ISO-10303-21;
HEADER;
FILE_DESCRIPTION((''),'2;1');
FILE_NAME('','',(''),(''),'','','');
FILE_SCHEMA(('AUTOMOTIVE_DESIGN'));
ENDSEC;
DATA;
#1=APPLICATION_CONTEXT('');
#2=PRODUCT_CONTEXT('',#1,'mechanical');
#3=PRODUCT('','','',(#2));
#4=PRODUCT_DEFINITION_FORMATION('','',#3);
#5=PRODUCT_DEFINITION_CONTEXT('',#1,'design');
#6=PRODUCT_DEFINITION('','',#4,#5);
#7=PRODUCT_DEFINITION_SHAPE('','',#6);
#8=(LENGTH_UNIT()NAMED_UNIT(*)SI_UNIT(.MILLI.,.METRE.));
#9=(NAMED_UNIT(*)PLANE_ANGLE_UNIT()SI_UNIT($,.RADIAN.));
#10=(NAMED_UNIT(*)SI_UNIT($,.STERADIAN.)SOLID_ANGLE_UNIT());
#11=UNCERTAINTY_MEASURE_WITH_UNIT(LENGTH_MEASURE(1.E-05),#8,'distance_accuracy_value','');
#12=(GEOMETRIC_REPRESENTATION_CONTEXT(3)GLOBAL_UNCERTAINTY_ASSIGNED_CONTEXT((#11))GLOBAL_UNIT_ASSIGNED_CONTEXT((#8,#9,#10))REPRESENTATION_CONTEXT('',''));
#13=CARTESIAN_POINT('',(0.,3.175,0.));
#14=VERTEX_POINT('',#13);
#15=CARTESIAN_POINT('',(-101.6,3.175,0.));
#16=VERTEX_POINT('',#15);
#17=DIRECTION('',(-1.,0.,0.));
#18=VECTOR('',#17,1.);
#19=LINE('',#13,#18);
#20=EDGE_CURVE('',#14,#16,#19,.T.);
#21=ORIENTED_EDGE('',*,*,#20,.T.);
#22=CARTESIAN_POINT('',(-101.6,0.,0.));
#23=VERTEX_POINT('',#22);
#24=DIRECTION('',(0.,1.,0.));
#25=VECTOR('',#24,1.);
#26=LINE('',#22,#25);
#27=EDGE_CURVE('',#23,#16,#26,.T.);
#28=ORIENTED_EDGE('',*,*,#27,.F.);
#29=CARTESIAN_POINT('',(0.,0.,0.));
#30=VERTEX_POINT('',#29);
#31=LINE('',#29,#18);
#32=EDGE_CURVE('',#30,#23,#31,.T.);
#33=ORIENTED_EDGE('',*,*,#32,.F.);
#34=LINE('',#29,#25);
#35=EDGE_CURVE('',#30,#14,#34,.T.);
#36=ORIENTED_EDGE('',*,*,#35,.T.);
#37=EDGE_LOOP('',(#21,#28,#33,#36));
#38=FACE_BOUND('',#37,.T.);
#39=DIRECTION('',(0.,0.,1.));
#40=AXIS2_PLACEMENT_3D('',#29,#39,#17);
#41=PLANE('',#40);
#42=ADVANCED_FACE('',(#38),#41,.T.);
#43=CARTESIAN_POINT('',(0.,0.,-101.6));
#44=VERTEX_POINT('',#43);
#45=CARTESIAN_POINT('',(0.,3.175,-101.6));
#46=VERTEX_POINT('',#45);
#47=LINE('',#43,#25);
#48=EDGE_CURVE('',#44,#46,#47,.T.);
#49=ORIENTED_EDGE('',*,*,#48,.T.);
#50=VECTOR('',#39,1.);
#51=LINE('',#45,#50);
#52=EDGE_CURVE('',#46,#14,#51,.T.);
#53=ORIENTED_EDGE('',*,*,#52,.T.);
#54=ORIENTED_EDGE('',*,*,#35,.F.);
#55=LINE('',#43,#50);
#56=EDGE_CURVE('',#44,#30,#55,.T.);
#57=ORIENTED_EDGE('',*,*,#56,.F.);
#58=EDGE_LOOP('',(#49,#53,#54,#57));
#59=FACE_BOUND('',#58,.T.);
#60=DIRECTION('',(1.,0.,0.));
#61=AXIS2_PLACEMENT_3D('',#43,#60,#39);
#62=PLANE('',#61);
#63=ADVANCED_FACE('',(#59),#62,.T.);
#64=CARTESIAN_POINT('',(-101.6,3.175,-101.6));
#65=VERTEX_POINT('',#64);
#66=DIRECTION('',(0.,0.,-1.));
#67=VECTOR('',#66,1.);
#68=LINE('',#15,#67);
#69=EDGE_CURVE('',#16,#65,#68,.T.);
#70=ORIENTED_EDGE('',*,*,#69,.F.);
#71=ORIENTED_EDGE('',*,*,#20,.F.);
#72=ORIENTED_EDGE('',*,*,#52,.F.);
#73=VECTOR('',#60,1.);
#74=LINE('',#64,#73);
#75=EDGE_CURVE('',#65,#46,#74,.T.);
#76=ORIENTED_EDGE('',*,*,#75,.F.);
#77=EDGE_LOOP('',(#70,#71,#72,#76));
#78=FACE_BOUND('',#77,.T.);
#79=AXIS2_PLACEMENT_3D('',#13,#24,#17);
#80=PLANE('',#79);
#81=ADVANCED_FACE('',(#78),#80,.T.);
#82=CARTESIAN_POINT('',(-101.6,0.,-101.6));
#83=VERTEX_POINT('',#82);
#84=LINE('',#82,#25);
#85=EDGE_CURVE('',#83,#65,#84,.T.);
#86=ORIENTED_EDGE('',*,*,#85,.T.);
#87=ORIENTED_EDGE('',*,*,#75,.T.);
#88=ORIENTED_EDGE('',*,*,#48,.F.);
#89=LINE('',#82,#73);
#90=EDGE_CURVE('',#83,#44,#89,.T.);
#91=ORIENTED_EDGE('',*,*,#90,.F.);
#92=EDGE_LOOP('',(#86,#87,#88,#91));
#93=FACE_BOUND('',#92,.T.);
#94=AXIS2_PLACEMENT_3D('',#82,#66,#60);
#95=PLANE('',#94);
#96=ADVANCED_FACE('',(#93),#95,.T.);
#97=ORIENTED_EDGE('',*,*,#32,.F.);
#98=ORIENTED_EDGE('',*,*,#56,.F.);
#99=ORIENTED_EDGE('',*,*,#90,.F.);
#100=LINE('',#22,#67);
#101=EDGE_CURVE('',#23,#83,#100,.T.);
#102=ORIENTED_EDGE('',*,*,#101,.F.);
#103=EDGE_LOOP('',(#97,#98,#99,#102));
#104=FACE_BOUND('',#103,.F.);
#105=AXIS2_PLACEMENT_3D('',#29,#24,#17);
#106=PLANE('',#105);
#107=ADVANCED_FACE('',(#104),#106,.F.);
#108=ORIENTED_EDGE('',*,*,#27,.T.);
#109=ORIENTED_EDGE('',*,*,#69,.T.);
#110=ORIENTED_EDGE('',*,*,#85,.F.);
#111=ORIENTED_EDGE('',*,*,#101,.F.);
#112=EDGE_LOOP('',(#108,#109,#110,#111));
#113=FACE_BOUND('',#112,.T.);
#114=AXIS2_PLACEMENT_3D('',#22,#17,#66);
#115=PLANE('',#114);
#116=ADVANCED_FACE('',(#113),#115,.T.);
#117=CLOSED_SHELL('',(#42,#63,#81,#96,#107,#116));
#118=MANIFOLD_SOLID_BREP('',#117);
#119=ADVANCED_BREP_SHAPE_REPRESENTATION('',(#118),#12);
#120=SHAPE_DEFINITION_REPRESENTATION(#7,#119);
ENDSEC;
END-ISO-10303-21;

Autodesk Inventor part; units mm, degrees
ref_plane "YZ Plane" through (0, 0, 0) normal (1, 0, 0) x (0, 1, 0)
ref_plane "XZ Plane" through (0, 0, 0) normal (0, 1, 0) x (-1, 0, 0)
ref_plane "XY Plane" through (0, 0, 0) normal (0, 0, 1) x (1, 0, 0)
sketch "Sketch1" plane through (0, 0, 0) normal (0, 1, 0) x (-1, 0, 0)
  line L0 (0, 0) -> (101.6, 0)
  line L1 (101.6, 0) -> (101.6, -101.6)
  line L2 (101.6, -101.6) -> (0, -101.6)
  line L3 (0, -101.6) -> (0, 0)
  dimension "d0" = 101.6
  dimension "d1" = 101.6
extrude "Extrusion1" add sketch "Sketch1" along normal blind 3.175
properties part number "CollectorFloor" material "Polycarbonate, Clear"
